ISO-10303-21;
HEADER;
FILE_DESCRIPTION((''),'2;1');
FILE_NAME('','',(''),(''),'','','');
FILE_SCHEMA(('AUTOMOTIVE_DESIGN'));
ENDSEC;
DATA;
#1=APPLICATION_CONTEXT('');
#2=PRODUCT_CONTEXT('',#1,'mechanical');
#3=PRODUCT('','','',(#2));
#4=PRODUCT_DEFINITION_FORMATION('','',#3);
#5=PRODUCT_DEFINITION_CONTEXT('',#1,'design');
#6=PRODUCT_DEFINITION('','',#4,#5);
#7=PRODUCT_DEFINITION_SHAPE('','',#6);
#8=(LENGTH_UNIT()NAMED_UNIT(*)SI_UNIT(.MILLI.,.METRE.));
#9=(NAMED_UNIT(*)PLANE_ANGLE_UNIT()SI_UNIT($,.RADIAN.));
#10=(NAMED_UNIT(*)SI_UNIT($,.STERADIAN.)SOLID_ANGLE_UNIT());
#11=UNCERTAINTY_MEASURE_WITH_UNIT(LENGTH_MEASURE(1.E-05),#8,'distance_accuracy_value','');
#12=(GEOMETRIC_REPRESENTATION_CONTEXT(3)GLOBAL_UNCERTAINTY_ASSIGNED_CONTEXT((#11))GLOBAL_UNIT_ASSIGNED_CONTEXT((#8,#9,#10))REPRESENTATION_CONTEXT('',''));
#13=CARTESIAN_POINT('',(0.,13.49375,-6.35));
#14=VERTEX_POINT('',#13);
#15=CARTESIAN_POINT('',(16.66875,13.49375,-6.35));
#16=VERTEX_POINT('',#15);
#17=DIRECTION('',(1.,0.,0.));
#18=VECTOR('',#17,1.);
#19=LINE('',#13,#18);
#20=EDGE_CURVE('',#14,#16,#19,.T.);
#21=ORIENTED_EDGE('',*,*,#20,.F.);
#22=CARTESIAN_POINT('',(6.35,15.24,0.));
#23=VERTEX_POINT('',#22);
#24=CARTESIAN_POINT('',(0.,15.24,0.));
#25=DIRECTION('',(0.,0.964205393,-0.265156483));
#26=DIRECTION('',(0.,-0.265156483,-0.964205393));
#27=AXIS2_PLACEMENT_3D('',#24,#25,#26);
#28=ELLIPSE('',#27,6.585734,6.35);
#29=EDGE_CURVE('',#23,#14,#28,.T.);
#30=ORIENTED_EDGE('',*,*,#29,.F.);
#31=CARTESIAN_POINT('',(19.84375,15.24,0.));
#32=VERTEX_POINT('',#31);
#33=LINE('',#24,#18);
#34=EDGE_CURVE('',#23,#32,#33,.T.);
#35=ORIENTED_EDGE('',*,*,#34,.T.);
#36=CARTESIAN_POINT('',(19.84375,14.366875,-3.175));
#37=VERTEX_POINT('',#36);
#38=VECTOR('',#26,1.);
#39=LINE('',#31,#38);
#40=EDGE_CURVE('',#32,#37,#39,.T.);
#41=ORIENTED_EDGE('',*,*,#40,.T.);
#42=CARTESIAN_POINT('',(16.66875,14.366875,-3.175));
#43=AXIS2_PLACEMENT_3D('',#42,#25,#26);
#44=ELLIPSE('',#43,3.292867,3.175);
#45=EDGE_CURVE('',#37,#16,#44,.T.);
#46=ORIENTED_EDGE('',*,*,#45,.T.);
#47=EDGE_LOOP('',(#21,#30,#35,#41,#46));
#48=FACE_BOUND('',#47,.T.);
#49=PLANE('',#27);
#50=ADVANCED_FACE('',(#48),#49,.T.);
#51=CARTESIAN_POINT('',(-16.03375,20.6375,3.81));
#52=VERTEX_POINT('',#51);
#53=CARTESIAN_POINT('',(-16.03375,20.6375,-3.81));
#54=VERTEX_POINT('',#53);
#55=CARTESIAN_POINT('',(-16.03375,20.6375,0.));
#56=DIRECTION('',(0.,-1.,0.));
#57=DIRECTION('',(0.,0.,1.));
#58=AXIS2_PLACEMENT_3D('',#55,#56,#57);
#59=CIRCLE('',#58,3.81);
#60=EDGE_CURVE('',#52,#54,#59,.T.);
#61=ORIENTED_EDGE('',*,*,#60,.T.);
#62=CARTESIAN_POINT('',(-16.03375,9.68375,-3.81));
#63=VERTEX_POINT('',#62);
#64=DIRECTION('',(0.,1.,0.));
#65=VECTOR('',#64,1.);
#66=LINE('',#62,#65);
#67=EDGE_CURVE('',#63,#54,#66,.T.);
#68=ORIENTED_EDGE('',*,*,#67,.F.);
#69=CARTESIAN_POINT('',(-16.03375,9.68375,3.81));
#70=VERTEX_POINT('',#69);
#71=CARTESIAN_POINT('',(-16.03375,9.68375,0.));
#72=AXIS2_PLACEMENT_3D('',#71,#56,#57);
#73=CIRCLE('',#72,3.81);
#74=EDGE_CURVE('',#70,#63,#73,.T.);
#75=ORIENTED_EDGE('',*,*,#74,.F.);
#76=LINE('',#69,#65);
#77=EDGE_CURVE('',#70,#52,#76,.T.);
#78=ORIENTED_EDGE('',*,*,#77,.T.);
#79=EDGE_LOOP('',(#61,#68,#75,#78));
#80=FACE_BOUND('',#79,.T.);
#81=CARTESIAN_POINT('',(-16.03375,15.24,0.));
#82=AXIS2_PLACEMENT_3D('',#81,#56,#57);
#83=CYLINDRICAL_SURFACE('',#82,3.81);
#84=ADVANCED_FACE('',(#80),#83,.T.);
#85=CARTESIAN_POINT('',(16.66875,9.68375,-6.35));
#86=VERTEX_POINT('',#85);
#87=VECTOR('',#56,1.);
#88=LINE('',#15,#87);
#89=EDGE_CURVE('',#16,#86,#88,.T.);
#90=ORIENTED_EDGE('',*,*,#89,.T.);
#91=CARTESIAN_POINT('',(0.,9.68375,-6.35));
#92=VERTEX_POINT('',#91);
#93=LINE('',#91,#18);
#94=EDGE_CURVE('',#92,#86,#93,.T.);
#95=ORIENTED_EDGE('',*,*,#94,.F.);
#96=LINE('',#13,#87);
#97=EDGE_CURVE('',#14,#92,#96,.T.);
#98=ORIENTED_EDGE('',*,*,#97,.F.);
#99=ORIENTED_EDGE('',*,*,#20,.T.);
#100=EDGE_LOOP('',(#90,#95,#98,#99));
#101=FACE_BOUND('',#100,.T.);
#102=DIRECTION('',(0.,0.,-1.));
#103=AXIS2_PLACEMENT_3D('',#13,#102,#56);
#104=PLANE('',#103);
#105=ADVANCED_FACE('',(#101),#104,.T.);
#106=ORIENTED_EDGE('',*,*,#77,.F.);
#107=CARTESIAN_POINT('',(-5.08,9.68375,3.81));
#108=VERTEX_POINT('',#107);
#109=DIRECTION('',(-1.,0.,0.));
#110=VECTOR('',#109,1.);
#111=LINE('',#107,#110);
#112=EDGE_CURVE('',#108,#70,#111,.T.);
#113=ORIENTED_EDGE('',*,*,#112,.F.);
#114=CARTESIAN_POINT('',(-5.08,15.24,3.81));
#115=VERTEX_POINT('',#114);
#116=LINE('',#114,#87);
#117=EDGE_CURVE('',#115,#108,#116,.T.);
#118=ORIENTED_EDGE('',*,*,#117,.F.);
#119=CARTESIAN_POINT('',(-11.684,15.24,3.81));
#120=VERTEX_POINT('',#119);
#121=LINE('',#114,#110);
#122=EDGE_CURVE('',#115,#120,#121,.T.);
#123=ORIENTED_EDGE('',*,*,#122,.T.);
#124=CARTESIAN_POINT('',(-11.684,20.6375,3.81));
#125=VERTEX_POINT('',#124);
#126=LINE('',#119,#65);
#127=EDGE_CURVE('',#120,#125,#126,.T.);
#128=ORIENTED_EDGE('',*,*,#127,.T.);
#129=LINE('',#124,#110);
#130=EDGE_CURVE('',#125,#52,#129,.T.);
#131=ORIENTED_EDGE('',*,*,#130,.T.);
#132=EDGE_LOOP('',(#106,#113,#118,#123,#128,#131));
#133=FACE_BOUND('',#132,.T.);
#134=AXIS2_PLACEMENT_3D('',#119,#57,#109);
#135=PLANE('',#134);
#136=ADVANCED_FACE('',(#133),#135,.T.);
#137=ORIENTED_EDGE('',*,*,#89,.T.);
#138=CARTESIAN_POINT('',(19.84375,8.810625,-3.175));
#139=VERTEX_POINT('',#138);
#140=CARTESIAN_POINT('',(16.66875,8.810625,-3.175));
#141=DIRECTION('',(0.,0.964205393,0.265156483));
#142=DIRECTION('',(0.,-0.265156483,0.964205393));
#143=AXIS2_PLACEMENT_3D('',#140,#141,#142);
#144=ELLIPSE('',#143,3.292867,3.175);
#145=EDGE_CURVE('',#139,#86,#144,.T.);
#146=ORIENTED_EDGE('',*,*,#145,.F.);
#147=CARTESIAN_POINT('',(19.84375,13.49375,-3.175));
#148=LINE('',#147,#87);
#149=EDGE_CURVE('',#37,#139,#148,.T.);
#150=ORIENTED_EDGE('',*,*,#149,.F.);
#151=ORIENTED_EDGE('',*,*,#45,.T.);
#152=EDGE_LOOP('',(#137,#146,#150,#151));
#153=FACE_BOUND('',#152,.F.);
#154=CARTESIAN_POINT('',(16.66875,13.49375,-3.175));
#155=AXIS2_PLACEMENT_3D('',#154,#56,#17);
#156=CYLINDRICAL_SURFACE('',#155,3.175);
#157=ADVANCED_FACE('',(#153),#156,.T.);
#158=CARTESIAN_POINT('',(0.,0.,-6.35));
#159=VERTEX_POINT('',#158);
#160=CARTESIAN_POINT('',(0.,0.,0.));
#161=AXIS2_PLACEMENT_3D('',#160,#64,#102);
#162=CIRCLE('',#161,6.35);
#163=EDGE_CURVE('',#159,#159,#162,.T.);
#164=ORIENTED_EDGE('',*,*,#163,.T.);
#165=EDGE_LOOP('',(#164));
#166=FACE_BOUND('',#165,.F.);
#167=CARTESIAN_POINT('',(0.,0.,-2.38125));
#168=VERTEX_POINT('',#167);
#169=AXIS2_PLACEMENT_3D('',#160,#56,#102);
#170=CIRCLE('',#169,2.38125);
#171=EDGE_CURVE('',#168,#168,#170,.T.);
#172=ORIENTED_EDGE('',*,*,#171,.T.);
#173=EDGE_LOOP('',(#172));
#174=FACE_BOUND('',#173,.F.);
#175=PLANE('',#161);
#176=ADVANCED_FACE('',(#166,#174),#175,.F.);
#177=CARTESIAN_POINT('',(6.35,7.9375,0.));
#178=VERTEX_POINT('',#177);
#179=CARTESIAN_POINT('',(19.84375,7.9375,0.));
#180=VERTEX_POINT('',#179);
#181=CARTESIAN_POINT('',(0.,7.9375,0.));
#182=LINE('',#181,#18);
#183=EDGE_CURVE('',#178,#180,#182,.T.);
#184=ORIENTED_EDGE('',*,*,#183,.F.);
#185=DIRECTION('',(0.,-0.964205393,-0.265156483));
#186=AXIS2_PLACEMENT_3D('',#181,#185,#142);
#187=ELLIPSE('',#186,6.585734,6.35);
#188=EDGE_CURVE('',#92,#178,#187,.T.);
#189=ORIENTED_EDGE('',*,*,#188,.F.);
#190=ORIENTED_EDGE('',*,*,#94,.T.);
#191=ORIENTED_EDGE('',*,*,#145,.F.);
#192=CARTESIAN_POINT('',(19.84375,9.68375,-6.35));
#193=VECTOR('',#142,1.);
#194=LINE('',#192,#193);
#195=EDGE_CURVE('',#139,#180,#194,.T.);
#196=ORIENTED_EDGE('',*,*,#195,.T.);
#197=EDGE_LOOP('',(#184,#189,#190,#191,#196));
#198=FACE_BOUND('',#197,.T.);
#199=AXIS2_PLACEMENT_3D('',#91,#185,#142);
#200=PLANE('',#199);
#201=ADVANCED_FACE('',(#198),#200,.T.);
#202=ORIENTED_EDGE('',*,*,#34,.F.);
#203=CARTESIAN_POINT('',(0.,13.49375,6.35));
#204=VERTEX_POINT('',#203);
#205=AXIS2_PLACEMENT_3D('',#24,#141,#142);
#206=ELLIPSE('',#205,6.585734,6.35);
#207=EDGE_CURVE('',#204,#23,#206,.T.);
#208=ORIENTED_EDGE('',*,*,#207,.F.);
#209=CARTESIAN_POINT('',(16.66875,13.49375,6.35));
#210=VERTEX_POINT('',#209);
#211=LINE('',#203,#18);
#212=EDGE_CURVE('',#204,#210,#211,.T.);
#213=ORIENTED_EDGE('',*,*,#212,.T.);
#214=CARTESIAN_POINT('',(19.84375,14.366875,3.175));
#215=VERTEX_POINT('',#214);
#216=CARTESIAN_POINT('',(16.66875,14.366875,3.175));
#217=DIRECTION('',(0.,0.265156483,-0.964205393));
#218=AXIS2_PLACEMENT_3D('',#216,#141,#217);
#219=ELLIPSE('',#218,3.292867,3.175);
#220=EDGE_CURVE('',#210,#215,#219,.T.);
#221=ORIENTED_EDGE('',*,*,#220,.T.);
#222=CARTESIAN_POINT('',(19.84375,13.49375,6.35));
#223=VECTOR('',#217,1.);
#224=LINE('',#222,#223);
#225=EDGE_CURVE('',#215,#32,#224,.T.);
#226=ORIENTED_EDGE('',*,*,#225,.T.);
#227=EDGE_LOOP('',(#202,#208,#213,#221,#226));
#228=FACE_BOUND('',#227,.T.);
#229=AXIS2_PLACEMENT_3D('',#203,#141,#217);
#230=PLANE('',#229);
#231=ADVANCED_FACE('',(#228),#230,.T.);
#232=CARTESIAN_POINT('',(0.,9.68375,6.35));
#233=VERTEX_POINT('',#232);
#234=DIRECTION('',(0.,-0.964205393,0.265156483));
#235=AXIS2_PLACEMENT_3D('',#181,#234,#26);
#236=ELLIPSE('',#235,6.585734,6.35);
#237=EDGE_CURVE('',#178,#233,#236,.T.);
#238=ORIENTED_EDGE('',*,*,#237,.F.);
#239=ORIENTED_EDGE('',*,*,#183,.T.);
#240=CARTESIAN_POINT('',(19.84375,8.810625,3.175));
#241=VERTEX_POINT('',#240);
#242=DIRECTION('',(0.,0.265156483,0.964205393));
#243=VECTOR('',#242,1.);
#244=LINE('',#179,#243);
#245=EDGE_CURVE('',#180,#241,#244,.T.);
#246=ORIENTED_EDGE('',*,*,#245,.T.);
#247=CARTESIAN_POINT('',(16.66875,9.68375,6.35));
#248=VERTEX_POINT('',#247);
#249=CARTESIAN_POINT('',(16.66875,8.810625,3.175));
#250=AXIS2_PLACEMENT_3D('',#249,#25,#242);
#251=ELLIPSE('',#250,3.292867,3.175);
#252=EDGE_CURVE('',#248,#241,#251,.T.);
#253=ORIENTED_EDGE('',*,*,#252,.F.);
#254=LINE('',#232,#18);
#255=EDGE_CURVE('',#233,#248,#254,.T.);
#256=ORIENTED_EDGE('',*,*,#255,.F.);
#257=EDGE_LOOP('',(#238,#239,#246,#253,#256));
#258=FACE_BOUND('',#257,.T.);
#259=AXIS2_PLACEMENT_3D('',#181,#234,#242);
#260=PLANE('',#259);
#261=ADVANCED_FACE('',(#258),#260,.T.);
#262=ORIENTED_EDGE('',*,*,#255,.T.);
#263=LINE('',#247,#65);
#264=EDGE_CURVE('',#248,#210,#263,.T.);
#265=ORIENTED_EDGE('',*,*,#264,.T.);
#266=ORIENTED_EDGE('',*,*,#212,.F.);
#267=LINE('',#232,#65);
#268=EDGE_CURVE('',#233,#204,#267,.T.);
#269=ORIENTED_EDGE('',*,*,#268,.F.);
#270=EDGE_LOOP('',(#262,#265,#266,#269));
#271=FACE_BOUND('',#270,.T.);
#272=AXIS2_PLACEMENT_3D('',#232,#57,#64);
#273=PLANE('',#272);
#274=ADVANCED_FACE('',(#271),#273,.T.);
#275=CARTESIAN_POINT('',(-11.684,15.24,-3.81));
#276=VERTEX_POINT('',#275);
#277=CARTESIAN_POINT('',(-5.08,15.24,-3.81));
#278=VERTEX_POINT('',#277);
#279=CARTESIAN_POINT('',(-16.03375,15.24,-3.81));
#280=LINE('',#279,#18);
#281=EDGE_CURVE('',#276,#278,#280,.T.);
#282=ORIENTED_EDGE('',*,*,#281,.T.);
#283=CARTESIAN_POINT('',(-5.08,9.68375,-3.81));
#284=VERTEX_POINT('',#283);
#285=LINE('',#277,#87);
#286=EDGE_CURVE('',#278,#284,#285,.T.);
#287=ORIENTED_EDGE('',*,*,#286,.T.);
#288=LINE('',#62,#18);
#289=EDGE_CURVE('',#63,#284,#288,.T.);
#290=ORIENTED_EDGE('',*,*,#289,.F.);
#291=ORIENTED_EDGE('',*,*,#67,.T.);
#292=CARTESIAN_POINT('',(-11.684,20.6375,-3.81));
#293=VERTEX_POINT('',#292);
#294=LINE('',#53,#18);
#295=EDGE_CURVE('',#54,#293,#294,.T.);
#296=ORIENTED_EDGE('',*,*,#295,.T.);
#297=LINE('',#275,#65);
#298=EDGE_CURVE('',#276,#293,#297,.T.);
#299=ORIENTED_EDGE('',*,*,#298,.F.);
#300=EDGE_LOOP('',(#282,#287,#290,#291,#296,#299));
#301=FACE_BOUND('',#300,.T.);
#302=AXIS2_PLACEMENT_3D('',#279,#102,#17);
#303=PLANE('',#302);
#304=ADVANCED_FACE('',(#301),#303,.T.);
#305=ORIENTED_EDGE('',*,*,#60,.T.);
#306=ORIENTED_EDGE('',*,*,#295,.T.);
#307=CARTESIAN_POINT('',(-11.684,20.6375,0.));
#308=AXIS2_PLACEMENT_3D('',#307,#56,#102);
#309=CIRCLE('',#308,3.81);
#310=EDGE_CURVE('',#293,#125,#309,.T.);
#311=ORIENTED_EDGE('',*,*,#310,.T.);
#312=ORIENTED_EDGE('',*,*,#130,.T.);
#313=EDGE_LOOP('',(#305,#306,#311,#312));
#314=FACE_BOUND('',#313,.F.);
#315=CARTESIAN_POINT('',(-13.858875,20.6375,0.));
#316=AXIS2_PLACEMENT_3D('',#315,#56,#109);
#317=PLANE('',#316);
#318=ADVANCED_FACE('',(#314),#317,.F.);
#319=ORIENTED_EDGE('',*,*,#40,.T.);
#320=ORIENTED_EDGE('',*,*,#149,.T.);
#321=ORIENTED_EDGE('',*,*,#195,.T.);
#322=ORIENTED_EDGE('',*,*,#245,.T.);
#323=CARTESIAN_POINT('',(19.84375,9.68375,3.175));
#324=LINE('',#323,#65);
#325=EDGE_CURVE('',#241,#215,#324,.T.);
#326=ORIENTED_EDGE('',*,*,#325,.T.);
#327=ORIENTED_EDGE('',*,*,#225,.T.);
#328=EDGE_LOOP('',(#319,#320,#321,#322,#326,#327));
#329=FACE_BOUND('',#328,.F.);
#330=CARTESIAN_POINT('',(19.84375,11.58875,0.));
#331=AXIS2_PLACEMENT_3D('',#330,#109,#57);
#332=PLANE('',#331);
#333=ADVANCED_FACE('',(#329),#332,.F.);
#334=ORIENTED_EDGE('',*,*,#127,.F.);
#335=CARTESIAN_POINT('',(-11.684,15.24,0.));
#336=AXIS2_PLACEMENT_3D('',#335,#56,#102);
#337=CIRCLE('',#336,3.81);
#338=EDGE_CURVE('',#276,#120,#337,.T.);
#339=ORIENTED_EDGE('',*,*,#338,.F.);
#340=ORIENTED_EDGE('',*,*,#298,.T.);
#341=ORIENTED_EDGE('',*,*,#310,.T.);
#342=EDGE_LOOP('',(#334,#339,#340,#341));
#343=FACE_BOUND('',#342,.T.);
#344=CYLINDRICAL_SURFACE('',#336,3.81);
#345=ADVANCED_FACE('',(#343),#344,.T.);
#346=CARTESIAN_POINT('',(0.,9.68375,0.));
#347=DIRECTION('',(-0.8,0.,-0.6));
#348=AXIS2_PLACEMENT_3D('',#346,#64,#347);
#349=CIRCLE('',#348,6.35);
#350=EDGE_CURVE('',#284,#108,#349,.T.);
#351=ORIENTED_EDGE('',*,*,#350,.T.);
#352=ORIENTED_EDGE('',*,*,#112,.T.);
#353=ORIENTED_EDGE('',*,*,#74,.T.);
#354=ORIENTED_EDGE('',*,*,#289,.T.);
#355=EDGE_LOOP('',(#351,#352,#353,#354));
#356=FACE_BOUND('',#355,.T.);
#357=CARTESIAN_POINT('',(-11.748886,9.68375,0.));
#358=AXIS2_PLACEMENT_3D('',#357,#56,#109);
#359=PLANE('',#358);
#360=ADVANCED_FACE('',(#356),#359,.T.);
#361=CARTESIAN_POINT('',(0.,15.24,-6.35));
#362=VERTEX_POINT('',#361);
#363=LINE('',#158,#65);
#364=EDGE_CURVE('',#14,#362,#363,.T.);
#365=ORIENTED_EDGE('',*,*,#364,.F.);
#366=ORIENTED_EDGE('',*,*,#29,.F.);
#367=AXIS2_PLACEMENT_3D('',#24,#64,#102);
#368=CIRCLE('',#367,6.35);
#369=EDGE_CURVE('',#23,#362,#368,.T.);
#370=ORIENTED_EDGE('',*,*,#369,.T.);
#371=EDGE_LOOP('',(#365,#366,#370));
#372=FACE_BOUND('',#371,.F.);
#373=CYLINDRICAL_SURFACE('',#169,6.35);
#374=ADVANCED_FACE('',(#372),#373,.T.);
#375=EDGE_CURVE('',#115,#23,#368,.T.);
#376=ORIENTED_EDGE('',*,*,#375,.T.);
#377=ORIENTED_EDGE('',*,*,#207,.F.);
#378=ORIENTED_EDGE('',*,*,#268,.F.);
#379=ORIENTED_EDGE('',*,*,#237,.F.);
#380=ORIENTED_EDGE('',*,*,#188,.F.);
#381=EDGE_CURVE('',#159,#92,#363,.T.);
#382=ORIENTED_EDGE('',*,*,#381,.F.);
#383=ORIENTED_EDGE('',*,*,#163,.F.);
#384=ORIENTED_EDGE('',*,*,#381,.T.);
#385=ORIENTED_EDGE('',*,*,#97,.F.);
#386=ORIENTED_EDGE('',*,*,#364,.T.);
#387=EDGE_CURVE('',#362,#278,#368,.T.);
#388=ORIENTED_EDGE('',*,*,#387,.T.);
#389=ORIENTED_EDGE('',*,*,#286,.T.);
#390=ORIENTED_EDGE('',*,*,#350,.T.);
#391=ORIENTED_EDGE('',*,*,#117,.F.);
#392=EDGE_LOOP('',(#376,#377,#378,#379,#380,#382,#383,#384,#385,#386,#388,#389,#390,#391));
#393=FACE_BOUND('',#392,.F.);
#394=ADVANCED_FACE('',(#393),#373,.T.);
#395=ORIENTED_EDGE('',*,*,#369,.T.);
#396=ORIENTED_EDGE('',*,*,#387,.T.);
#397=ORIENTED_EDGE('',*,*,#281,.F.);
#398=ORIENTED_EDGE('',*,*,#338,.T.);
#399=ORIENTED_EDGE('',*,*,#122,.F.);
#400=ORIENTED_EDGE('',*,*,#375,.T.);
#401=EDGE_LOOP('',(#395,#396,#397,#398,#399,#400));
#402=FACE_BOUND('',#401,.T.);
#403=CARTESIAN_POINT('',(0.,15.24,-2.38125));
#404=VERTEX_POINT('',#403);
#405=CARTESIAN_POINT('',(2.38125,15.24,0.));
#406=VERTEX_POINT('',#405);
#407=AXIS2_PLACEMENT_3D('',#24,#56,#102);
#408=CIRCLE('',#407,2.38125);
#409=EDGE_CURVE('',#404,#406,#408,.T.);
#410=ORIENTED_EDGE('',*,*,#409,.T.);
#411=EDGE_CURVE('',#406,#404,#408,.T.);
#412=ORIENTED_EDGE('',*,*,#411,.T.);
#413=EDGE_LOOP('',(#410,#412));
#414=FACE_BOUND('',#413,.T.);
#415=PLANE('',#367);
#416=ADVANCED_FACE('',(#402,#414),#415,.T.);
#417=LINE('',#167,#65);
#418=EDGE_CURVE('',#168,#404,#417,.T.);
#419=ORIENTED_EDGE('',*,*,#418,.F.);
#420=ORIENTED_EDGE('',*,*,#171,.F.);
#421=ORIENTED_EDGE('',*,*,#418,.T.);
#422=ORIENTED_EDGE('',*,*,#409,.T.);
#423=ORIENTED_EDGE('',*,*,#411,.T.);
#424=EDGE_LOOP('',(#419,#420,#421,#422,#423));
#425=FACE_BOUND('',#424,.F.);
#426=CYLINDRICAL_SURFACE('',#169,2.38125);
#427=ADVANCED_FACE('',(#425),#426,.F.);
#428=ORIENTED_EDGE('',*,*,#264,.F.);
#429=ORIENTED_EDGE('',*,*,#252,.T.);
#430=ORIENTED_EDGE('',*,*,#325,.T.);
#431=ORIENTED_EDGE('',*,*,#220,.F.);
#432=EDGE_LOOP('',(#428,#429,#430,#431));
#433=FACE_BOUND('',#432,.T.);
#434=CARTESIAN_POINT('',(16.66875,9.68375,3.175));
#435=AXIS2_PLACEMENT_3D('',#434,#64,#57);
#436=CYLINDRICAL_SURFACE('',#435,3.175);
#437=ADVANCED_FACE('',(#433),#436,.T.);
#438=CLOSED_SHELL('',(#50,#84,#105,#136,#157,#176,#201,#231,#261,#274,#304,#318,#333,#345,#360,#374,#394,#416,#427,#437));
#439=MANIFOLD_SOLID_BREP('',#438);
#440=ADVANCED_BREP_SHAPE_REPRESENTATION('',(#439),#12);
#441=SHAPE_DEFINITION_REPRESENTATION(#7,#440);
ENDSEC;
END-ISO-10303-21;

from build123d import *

# Parameters (mm, degrees)
SKETCH1_R           = 6.35
BOSS_EXTRUDE1_DEPTH = 15.24
BOSS_EXTRUDE2_DEPTH = 19.84375
FILLET1_R           = 3.175
SKETCH3_R           = 2.38125
CUT_EXTRUDE1_DEPTH  = 26.813843458
BOSS_EXTRUDE3_DEPTH = 5.55625
BOSS_EXTRUDE4_DEPTH = 5.3975


with BuildPart() as part:
    # Sketch1 → Boss-Extrude1 (new body)
    with BuildSketch(Plane(origin=(0, 0, 0), x_dir=(1, 0, 0), z_dir=(0, 1, 0))):
        with Locations(Location((0, 0, 0), (0, 0, 90))):
            Circle(SKETCH1_R)
    extrude(amount=BOSS_EXTRUDE1_DEPTH)

    # Sketch2 → Boss-Extrude2 (add)
    with BuildSketch(Plane(origin=(0, 0, 0), x_dir=(0, 0, -1), z_dir=(1, 0, 0))):
        Polygon((-6.35, 9.68375), (-6.35, 13.49375), (0, 15.24), (6.35, 13.49375), (6.35, 9.68375), (0, 7.9375), align=None)
    extrude(amount=BOSS_EXTRUDE2_DEPTH)

    # Fillet1
    fillet1_edges = [part.edges().sort_by_distance(p)[0] for p in [
        (19.84375, 11.58875, 6.35),
        (19.84375, 11.58875, -6.35),
    ]]
    fillet(fillet1_edges, radius=FILLET1_R)

    # Sketch3 → Cut-Extrude1 (cut, through all)
    with BuildSketch(Plane.XZ):
        with Locations(Location((0, 0, 0), (0, 0, 270))):
            Circle(SKETCH3_R)
    extrude(amount=-CUT_EXTRUDE1_DEPTH, mode=Mode.SUBTRACT)

    # Sketch4 → Boss-Extrude3 (add)
    with BuildSketch(Plane(origin=(0, 15.24, 0), x_dir=(1, 0, 0), z_dir=(0, 1, 0))):
        with BuildLine():
            Line((-5.08, -3.81), (-16.03375, -3.81))
            ThreePointArc((-16.03375, -3.81), (-19.84375, 0), (-16.03375, 3.81))
            Line((-16.03375, 3.81), (-5.08, 3.81))
            ThreePointArc((-5.08, 3.81), (-6.35, 0), (-5.08, -3.81))
        make_face()
    extrude(amount=-BOSS_EXTRUDE3_DEPTH)

    # Sketch5 → Boss-Extrude4 (add)
    with BuildSketch(Plane(origin=(0, 15.24, 0), x_dir=(1, 0, 0), z_dir=(0, 1, 0))):
        with BuildLine():
            Line((-16.03375, 3.81), (-11.684, 3.81))
            ThreePointArc((-11.684, 3.81), (-7.874, 0), (-11.684, -3.81))
            Line((-11.684, -3.81), (-16.03375, -3.81))
            ThreePointArc((-16.03375, -3.81), (-19.84375, 0), (-16.03375, 3.81))
        make_face()
    extrude(amount=BOSS_EXTRUDE4_DEPTH)


solid = part.part
